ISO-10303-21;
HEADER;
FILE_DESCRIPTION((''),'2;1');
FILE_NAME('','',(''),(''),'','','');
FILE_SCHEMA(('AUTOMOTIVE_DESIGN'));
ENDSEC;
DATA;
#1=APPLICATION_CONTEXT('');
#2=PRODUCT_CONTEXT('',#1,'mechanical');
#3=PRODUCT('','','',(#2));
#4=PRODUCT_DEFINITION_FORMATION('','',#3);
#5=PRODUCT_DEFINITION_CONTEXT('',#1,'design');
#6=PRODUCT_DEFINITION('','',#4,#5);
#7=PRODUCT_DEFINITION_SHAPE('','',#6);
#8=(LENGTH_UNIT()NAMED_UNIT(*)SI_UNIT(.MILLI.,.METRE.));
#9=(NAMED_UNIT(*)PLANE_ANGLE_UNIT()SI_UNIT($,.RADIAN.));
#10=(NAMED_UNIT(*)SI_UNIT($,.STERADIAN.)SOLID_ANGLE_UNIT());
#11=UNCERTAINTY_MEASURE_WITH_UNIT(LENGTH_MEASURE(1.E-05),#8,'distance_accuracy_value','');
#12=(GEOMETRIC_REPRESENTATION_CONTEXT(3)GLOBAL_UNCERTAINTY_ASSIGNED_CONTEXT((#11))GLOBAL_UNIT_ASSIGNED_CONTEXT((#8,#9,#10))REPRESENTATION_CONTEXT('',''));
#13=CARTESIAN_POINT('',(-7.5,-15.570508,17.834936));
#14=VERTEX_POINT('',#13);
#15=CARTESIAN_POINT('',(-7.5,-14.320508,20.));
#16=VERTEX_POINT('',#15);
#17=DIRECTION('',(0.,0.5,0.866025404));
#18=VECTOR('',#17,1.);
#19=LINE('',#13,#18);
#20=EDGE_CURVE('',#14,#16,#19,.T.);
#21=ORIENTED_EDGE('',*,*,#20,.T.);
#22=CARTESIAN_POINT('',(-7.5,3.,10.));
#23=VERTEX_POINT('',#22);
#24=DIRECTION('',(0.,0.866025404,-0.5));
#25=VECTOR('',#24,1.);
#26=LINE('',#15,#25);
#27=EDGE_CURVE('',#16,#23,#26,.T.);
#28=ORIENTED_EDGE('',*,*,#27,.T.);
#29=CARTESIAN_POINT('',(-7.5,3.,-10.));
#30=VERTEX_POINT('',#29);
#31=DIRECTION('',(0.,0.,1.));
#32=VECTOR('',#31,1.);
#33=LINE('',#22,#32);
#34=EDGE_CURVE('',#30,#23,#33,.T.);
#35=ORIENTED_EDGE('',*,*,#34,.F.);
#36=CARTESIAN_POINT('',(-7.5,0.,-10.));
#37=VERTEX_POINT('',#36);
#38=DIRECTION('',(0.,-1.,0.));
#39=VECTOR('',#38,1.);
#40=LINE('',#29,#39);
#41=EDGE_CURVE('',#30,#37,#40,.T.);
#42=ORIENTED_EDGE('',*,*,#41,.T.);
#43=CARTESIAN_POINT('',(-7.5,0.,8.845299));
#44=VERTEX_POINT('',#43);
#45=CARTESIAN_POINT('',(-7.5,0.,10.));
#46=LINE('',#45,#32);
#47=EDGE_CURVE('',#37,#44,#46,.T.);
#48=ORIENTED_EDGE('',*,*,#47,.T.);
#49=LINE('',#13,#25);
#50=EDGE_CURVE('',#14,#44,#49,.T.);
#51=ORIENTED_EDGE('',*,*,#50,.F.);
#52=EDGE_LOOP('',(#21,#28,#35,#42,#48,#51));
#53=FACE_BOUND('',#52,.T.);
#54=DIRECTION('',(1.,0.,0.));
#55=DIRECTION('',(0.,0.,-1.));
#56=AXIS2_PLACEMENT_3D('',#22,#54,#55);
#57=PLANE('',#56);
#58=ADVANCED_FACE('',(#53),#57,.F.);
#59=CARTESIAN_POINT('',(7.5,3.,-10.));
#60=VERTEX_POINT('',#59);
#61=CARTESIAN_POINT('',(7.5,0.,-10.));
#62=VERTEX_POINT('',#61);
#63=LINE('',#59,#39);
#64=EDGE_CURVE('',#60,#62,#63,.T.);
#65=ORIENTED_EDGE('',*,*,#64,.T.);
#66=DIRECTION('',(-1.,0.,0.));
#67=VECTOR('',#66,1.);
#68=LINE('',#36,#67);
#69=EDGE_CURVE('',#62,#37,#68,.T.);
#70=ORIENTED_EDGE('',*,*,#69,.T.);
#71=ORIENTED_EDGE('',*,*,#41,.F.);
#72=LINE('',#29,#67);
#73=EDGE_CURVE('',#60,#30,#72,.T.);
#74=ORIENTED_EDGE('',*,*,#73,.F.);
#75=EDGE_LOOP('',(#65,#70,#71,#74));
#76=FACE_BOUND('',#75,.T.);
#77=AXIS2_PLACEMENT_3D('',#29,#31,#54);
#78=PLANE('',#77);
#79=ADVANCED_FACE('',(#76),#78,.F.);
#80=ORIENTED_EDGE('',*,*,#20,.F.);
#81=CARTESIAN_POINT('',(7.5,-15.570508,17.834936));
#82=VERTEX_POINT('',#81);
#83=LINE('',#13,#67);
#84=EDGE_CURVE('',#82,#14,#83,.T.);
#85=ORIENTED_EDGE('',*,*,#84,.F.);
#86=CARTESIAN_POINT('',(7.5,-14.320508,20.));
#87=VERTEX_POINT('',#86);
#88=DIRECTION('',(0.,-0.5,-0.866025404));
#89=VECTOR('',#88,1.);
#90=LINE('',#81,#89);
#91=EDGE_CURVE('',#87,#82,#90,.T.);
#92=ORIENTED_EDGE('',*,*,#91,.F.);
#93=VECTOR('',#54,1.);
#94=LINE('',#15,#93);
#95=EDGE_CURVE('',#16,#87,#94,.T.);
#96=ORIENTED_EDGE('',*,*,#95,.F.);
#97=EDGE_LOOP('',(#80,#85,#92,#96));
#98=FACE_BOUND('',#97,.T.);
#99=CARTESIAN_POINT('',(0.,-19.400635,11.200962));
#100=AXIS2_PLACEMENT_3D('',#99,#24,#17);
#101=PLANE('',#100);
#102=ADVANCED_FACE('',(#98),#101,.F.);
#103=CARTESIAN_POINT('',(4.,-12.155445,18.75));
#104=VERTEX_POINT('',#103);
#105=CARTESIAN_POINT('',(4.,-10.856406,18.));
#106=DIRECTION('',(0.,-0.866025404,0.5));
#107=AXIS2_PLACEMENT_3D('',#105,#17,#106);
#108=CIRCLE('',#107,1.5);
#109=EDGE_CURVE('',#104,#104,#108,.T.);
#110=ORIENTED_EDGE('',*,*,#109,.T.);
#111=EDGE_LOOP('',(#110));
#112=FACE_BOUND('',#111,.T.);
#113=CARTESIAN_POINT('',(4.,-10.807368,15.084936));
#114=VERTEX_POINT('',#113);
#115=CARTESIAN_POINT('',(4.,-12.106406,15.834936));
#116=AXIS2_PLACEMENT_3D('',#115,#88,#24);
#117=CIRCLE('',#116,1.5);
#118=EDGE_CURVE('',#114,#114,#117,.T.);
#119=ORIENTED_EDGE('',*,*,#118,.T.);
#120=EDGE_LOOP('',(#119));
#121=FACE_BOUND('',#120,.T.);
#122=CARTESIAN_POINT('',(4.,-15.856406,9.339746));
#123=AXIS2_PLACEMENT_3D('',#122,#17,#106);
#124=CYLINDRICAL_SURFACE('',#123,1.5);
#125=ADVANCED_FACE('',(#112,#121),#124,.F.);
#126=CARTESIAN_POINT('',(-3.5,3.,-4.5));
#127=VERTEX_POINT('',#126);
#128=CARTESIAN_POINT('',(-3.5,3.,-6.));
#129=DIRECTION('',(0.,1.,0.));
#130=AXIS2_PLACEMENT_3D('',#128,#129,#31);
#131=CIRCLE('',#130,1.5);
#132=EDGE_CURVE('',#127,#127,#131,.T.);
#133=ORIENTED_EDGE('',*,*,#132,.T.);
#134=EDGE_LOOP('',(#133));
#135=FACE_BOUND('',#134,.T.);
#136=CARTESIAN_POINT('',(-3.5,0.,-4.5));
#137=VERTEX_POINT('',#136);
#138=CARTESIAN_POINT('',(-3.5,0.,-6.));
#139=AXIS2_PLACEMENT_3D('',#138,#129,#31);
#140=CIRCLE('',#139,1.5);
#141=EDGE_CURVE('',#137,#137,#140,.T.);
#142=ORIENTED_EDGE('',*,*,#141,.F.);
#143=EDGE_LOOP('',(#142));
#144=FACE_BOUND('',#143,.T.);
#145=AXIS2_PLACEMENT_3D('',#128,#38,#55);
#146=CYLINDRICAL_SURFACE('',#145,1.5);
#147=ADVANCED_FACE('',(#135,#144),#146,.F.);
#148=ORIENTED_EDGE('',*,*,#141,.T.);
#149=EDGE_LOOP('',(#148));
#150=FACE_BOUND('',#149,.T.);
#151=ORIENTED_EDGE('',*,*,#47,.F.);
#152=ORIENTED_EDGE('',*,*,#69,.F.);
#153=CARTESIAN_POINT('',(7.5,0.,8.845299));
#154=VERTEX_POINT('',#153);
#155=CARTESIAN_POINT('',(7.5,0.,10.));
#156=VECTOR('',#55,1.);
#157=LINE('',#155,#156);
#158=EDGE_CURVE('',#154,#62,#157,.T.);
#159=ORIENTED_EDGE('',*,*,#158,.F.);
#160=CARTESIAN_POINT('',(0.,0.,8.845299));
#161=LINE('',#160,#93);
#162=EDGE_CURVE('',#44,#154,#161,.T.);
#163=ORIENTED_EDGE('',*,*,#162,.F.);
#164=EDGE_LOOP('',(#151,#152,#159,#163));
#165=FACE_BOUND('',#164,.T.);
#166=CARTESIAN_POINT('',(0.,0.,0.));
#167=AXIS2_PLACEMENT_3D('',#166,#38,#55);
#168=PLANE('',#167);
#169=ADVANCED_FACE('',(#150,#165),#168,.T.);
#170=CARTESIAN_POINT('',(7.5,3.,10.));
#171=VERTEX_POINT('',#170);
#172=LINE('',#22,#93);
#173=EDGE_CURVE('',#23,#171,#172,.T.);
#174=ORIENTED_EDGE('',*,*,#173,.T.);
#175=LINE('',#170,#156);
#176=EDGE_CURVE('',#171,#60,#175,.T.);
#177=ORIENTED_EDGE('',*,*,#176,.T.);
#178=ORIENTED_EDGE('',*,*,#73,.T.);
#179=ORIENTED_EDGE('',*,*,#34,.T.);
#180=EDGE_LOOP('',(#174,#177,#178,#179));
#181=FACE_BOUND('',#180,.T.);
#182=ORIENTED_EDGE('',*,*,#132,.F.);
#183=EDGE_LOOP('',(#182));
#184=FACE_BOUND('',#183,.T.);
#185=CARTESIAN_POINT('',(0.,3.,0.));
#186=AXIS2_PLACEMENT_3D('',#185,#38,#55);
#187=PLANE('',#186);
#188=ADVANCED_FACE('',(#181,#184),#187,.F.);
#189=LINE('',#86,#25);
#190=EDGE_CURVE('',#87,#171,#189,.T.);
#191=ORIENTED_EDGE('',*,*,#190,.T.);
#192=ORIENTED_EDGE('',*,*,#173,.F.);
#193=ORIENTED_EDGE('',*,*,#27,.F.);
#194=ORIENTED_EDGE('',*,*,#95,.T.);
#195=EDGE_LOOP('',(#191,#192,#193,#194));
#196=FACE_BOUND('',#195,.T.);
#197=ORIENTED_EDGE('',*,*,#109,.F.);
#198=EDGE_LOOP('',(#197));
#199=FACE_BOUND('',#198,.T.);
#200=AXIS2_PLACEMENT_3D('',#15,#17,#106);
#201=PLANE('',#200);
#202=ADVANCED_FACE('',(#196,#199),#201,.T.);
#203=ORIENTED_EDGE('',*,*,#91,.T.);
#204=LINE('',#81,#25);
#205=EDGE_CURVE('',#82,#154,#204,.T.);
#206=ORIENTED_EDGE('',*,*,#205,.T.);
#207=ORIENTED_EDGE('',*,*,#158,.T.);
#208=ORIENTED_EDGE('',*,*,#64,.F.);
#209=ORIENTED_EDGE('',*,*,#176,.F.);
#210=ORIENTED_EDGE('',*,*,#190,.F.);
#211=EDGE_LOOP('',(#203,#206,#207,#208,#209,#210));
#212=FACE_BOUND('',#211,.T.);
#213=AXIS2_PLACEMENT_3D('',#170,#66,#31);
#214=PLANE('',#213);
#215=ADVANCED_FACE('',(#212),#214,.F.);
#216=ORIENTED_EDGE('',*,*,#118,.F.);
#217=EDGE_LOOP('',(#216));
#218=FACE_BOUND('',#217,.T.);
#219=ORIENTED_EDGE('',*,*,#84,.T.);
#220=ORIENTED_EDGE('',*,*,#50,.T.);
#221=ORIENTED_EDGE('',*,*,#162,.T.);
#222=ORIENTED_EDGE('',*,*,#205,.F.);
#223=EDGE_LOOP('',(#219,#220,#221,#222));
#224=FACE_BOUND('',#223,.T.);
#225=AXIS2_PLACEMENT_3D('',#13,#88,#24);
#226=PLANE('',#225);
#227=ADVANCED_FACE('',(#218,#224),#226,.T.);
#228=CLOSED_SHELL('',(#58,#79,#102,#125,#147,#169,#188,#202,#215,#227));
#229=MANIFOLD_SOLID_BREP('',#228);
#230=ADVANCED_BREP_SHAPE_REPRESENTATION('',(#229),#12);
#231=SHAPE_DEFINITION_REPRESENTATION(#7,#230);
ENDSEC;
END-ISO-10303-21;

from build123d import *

# Parameters (mm, degrees)
SKETCH1_W           = 15
SKETCH1_H           = 20
SKETCH1_R           = 1.5
BOSS_EXTRUDE1_DEPTH = 3
SKETCH2_W           = 15
SKETCH2_H           = 2.5
BOSS_EXTRUDE2_DEPTH = 20
SKETCH3_R           = 1.5
CUT_EXTRUDE1_DEPTH  = 10


with BuildPart() as part:
    # Sketch1 → Boss-Extrude1 (new body)
    with BuildSketch(Plane(origin=(0, 0, 0), x_dir=(1, 0, 0), z_dir=(0, 1, 0))):
        Rectangle(SKETCH1_W, SKETCH1_H)
        with Locations(Location((-3.5, 6, 0), (0, 0, 270))):
            Circle(SKETCH1_R, mode=Mode.SUBTRACT)
    extrude(amount=BOSS_EXTRUDE1_DEPTH)

    # Sketch2 → Boss-Extrude2 (add)
    with BuildSketch(Plane(origin=(0, -2.080127019, 1.200961894), x_dir=(1, 0, 0), z_dir=(0, 0.8660254037844364, -0.5000000000000041))):
        with Locations((0, -8.910254038)):
            Rectangle(SKETCH2_W, SKETCH2_H)
    extrude(amount=-BOSS_EXTRUDE2_DEPTH)

    # Sketch3 → Cut-Extrude1 (cut)
    with BuildSketch(Plane(origin=(0, 5.080127019, 8.799038106), x_dir=(1, 0, 0), z_dir=(0, 0.500000000000004, 0.8660254037844364))):
        with Locations(Location((4, -18.401923789, 0), (0, 0, 270))):
            Circle(SKETCH3_R)
    extrude(amount=-CUT_EXTRUDE1_DEPTH, mode=Mode.SUBTRACT)


solid = part.part
